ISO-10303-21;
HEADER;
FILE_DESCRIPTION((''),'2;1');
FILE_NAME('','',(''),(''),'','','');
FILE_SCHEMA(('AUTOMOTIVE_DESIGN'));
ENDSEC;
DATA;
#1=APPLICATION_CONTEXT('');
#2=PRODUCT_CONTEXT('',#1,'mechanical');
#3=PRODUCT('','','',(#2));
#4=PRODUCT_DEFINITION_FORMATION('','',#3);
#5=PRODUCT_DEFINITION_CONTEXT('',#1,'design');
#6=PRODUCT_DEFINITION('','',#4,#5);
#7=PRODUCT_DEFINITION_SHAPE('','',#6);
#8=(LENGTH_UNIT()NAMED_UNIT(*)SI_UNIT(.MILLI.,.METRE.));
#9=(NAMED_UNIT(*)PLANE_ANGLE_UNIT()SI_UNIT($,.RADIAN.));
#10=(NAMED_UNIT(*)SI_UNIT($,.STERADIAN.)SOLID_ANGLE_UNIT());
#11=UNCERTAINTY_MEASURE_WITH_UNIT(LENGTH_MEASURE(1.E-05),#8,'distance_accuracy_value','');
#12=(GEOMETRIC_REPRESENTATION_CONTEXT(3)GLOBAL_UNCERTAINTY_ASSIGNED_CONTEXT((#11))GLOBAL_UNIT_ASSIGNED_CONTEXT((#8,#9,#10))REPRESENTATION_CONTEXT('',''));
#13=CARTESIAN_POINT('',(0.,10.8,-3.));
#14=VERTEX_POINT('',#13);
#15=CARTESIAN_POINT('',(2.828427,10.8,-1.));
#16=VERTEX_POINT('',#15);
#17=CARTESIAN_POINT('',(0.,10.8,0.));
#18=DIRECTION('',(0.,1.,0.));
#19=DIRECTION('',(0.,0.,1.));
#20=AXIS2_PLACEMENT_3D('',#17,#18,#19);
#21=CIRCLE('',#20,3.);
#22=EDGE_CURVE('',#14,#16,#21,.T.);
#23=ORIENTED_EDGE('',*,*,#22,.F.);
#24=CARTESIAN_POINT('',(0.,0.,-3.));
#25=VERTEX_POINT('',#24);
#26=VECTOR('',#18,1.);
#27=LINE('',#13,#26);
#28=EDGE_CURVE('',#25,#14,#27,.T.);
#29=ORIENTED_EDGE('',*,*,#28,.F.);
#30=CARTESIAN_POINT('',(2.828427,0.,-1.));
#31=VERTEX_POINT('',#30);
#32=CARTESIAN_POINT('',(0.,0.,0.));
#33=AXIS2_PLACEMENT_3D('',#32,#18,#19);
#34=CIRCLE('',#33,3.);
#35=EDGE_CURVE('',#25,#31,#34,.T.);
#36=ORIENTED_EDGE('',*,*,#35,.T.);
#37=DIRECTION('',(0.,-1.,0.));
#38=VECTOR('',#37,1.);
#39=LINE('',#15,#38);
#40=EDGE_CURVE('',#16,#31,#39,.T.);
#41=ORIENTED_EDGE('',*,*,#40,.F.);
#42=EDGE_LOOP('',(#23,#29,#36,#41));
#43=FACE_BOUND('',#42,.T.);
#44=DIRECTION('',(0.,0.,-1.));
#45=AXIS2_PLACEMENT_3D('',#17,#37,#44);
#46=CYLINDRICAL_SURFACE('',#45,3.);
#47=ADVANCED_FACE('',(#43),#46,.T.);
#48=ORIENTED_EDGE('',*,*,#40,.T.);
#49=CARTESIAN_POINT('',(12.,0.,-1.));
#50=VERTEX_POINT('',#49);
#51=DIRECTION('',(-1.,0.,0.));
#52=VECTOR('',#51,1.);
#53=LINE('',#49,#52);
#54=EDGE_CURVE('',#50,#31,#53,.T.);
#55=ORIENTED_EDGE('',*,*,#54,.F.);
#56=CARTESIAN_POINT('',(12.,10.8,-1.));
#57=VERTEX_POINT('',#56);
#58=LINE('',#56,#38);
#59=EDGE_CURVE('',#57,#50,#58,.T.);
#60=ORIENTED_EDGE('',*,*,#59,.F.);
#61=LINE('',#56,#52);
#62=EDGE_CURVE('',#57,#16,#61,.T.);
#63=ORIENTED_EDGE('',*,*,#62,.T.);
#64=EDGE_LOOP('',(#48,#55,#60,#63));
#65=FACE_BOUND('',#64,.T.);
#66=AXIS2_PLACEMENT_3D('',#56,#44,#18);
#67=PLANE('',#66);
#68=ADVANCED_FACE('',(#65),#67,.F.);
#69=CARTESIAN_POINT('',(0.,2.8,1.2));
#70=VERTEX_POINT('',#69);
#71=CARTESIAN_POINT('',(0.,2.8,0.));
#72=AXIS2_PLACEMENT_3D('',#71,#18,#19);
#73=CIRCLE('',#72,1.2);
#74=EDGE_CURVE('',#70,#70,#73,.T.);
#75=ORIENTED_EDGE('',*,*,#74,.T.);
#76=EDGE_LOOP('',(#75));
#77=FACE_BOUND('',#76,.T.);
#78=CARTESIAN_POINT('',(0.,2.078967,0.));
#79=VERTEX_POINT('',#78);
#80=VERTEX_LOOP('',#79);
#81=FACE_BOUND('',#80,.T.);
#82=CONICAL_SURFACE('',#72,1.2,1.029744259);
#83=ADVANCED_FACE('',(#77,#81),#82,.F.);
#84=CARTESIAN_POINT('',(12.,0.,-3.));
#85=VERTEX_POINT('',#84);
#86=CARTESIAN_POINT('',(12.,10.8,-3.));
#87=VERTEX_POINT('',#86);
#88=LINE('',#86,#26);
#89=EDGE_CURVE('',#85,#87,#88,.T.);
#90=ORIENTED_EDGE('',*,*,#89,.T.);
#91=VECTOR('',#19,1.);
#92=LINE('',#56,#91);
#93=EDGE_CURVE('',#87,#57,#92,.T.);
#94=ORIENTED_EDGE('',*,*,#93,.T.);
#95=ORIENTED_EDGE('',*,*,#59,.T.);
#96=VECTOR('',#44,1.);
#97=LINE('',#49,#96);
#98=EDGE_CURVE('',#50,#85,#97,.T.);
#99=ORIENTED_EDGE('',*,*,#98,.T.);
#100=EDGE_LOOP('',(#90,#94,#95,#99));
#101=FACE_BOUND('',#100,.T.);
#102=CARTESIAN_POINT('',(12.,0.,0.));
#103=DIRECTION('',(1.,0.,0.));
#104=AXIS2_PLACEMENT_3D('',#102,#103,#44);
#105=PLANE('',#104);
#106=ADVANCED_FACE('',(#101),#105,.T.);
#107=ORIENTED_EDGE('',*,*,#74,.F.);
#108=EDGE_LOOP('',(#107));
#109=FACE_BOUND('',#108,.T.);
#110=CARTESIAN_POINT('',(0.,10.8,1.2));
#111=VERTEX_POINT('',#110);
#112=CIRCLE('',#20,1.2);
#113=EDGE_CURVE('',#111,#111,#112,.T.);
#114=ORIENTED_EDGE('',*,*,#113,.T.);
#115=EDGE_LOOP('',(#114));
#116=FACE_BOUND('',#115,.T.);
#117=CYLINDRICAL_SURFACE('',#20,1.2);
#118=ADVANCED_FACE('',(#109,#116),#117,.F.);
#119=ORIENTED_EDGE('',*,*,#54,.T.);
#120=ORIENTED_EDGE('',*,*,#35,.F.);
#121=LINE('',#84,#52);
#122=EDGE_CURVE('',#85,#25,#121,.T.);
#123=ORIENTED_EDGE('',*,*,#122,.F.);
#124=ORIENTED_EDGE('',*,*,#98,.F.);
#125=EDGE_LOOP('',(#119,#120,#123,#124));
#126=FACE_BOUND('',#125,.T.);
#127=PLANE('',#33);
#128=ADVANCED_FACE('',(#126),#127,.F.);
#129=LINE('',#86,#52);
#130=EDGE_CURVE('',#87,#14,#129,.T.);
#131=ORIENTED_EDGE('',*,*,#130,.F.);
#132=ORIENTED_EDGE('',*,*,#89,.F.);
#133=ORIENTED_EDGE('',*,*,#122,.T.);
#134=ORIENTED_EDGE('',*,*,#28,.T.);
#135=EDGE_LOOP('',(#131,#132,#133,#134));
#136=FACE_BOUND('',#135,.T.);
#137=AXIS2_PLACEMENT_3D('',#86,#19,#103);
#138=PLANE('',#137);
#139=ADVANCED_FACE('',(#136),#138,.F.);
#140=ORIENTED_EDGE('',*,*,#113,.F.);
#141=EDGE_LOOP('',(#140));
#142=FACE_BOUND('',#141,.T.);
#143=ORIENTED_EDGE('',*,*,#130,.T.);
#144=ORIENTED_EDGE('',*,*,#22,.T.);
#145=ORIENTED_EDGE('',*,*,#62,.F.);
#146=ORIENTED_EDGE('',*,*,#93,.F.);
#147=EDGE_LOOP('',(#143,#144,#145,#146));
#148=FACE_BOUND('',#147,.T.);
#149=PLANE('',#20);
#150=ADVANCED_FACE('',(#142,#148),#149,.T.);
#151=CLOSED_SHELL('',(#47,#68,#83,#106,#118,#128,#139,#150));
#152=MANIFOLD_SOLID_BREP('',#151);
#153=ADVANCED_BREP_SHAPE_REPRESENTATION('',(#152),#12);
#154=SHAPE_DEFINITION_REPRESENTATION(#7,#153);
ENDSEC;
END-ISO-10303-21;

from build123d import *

# Parameters (mm, degrees)
SKETCH_1_R      = 3
EXTRUDE_1_DEPTH = 10.8
SKETCH_7_W      = 2
SKETCH_7_H      = 10.8
EXTRUDE_2_DEPTH = 12
ST2_2_1_D       = 2.4
ST2_2_1_DEPTH   = 8
ST2_2_1_TIP     = 0.721032743


with BuildPart() as part:
    # 草图1 → 凸台-拉伸1 (new body)
    with BuildSketch(Plane(origin=(0, 0, 0), x_dir=(1, 0, 0), z_dir=(0, 1, 0))):
        with Locations(Location((0, 0, 0), (0, 0, 90))):
            Circle(SKETCH_1_R)
    extrude(amount=EXTRUDE_1_DEPTH)

    # 草图7 → 凸台-拉伸2 (add)
    with BuildSketch(Plane(origin=(0, 0, 0), x_dir=(0, 0, -1), z_dir=(1, 0, 0))):
        with Locations((2, 5.4)):
            Rectangle(SKETCH_7_W, SKETCH_7_H)
    extrude(amount=EXTRUDE_2_DEPTH)

    # ST2.2 间隙孔1
    with Locations(Plane.ZX.offset(10.8)):
        with Locations((0, 0)):
            Hole(ST2_2_1_D / 2, depth=ST2_2_1_DEPTH)
            with Locations((0, 0, -(ST2_2_1_DEPTH + ST2_2_1_TIP / 2))):  # 118° drill point
                Cone(0, ST2_2_1_D / 2, ST2_2_1_TIP, mode=Mode.SUBTRACT)


solid = part.part
